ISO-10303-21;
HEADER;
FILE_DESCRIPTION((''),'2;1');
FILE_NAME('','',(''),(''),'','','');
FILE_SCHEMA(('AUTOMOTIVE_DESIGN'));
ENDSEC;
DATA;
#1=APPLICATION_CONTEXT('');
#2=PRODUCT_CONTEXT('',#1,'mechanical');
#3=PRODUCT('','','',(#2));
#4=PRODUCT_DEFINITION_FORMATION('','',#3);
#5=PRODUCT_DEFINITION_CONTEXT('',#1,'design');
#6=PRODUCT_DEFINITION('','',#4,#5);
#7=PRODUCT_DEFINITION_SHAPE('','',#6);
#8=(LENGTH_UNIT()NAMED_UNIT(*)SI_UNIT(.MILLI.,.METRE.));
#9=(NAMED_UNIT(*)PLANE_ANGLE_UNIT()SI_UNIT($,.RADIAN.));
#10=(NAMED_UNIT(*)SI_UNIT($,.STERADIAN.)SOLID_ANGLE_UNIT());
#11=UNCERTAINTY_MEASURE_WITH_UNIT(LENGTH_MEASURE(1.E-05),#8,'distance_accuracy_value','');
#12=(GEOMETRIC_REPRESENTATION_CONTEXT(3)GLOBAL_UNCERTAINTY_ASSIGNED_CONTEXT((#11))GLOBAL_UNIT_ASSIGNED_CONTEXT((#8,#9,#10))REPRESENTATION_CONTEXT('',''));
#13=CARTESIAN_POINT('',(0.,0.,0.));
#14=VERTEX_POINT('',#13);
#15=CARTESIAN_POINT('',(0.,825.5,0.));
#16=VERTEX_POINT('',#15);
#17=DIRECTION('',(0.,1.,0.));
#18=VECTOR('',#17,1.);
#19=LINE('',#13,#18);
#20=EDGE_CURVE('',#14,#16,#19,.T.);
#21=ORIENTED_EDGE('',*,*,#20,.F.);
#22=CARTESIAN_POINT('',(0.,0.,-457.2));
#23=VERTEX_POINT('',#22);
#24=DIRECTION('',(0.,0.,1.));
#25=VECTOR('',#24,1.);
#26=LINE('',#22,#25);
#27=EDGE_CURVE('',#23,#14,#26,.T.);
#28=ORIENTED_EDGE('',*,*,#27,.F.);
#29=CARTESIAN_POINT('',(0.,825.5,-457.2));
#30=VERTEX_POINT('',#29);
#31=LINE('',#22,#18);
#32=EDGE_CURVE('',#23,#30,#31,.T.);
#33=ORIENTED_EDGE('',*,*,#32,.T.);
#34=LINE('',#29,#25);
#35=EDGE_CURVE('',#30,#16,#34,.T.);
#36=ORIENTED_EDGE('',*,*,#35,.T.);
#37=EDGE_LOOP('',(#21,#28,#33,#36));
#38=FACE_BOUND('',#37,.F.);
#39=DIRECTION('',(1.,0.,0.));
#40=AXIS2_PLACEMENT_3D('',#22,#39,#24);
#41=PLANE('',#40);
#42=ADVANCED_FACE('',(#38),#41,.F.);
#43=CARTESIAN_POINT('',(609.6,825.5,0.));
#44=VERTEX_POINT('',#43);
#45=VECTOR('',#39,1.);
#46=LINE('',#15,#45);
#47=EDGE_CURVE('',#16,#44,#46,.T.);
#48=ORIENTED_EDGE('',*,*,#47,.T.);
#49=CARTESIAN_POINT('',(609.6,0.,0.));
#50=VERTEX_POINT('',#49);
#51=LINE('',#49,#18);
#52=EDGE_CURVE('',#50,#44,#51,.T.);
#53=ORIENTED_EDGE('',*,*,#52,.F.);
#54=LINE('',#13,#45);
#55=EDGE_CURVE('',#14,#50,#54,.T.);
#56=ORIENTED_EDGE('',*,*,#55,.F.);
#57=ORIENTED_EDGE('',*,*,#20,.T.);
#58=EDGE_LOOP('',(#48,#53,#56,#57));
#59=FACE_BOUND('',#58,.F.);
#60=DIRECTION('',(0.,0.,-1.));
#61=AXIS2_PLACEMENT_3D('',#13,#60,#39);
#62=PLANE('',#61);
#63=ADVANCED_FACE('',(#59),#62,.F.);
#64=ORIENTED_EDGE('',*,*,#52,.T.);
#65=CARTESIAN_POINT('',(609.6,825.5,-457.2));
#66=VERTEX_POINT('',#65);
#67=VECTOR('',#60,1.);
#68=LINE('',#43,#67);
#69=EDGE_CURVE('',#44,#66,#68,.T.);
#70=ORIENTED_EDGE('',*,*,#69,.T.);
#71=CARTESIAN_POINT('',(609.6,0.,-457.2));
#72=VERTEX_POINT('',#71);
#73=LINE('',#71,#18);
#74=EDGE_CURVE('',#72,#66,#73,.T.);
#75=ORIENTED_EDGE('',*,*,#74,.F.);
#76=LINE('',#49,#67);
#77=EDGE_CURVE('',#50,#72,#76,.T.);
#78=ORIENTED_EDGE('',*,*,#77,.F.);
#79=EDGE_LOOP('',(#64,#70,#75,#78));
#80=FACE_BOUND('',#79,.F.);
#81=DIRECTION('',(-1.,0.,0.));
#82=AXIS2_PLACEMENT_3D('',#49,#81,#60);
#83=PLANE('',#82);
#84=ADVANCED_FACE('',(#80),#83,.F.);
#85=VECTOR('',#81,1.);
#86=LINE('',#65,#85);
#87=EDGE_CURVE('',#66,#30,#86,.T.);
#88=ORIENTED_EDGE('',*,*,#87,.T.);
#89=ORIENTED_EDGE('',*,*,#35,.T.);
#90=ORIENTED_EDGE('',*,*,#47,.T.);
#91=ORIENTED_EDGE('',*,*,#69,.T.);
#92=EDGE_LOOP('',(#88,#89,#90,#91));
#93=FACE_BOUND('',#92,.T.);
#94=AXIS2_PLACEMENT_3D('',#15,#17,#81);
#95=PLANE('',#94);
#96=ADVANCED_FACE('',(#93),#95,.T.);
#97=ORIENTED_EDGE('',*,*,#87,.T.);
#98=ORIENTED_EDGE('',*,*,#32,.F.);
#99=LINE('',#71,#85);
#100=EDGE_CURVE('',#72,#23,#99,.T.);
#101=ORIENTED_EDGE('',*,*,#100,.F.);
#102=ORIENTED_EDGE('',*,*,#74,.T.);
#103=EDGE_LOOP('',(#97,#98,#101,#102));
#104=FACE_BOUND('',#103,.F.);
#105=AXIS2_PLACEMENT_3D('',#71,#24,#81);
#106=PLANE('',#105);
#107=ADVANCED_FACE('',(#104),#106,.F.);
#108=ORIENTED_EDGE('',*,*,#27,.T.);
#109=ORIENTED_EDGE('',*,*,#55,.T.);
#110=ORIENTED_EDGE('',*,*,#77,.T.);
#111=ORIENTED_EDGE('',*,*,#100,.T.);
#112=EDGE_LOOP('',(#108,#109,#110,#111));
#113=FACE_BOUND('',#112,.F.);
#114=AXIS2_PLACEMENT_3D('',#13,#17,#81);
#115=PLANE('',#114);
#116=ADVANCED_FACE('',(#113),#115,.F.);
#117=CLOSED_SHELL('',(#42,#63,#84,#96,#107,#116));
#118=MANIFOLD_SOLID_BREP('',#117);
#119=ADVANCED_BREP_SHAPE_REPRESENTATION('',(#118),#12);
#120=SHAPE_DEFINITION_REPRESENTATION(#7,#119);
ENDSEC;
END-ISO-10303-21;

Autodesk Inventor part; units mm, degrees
ref_plane "YZ Plane" through (0, 0, 0) normal (1, 0, 0) x (0, 1, 0)
ref_plane "XZ Plane" through (0, 0, 0) normal (0, 1, 0) x (-1, 0, 0)
ref_plane "XY Plane" through (0, 0, 0) normal (0, 0, 1) x (1, 0, 0)
sketch "Sketch1" plane through (0, 0, 0) normal (0, 1, 0) x (-1, 0, 0)
  line L0 (0, 0) -> (-609.6, 0)
  line L1 (-609.6, 0) -> (-609.6, -457.2)
  line L2 (-609.6, -457.2) -> (0, -457.2)
  line L3 (0, -457.2) -> (0, 0)
  dimension "d6" = 457.2
  dimension "d8" = 609.6
extrude "Extrusion1" add sketch "Sketch1" along normal blind 825.5
properties part number "Dishwasher" material "ABS Plastic"
